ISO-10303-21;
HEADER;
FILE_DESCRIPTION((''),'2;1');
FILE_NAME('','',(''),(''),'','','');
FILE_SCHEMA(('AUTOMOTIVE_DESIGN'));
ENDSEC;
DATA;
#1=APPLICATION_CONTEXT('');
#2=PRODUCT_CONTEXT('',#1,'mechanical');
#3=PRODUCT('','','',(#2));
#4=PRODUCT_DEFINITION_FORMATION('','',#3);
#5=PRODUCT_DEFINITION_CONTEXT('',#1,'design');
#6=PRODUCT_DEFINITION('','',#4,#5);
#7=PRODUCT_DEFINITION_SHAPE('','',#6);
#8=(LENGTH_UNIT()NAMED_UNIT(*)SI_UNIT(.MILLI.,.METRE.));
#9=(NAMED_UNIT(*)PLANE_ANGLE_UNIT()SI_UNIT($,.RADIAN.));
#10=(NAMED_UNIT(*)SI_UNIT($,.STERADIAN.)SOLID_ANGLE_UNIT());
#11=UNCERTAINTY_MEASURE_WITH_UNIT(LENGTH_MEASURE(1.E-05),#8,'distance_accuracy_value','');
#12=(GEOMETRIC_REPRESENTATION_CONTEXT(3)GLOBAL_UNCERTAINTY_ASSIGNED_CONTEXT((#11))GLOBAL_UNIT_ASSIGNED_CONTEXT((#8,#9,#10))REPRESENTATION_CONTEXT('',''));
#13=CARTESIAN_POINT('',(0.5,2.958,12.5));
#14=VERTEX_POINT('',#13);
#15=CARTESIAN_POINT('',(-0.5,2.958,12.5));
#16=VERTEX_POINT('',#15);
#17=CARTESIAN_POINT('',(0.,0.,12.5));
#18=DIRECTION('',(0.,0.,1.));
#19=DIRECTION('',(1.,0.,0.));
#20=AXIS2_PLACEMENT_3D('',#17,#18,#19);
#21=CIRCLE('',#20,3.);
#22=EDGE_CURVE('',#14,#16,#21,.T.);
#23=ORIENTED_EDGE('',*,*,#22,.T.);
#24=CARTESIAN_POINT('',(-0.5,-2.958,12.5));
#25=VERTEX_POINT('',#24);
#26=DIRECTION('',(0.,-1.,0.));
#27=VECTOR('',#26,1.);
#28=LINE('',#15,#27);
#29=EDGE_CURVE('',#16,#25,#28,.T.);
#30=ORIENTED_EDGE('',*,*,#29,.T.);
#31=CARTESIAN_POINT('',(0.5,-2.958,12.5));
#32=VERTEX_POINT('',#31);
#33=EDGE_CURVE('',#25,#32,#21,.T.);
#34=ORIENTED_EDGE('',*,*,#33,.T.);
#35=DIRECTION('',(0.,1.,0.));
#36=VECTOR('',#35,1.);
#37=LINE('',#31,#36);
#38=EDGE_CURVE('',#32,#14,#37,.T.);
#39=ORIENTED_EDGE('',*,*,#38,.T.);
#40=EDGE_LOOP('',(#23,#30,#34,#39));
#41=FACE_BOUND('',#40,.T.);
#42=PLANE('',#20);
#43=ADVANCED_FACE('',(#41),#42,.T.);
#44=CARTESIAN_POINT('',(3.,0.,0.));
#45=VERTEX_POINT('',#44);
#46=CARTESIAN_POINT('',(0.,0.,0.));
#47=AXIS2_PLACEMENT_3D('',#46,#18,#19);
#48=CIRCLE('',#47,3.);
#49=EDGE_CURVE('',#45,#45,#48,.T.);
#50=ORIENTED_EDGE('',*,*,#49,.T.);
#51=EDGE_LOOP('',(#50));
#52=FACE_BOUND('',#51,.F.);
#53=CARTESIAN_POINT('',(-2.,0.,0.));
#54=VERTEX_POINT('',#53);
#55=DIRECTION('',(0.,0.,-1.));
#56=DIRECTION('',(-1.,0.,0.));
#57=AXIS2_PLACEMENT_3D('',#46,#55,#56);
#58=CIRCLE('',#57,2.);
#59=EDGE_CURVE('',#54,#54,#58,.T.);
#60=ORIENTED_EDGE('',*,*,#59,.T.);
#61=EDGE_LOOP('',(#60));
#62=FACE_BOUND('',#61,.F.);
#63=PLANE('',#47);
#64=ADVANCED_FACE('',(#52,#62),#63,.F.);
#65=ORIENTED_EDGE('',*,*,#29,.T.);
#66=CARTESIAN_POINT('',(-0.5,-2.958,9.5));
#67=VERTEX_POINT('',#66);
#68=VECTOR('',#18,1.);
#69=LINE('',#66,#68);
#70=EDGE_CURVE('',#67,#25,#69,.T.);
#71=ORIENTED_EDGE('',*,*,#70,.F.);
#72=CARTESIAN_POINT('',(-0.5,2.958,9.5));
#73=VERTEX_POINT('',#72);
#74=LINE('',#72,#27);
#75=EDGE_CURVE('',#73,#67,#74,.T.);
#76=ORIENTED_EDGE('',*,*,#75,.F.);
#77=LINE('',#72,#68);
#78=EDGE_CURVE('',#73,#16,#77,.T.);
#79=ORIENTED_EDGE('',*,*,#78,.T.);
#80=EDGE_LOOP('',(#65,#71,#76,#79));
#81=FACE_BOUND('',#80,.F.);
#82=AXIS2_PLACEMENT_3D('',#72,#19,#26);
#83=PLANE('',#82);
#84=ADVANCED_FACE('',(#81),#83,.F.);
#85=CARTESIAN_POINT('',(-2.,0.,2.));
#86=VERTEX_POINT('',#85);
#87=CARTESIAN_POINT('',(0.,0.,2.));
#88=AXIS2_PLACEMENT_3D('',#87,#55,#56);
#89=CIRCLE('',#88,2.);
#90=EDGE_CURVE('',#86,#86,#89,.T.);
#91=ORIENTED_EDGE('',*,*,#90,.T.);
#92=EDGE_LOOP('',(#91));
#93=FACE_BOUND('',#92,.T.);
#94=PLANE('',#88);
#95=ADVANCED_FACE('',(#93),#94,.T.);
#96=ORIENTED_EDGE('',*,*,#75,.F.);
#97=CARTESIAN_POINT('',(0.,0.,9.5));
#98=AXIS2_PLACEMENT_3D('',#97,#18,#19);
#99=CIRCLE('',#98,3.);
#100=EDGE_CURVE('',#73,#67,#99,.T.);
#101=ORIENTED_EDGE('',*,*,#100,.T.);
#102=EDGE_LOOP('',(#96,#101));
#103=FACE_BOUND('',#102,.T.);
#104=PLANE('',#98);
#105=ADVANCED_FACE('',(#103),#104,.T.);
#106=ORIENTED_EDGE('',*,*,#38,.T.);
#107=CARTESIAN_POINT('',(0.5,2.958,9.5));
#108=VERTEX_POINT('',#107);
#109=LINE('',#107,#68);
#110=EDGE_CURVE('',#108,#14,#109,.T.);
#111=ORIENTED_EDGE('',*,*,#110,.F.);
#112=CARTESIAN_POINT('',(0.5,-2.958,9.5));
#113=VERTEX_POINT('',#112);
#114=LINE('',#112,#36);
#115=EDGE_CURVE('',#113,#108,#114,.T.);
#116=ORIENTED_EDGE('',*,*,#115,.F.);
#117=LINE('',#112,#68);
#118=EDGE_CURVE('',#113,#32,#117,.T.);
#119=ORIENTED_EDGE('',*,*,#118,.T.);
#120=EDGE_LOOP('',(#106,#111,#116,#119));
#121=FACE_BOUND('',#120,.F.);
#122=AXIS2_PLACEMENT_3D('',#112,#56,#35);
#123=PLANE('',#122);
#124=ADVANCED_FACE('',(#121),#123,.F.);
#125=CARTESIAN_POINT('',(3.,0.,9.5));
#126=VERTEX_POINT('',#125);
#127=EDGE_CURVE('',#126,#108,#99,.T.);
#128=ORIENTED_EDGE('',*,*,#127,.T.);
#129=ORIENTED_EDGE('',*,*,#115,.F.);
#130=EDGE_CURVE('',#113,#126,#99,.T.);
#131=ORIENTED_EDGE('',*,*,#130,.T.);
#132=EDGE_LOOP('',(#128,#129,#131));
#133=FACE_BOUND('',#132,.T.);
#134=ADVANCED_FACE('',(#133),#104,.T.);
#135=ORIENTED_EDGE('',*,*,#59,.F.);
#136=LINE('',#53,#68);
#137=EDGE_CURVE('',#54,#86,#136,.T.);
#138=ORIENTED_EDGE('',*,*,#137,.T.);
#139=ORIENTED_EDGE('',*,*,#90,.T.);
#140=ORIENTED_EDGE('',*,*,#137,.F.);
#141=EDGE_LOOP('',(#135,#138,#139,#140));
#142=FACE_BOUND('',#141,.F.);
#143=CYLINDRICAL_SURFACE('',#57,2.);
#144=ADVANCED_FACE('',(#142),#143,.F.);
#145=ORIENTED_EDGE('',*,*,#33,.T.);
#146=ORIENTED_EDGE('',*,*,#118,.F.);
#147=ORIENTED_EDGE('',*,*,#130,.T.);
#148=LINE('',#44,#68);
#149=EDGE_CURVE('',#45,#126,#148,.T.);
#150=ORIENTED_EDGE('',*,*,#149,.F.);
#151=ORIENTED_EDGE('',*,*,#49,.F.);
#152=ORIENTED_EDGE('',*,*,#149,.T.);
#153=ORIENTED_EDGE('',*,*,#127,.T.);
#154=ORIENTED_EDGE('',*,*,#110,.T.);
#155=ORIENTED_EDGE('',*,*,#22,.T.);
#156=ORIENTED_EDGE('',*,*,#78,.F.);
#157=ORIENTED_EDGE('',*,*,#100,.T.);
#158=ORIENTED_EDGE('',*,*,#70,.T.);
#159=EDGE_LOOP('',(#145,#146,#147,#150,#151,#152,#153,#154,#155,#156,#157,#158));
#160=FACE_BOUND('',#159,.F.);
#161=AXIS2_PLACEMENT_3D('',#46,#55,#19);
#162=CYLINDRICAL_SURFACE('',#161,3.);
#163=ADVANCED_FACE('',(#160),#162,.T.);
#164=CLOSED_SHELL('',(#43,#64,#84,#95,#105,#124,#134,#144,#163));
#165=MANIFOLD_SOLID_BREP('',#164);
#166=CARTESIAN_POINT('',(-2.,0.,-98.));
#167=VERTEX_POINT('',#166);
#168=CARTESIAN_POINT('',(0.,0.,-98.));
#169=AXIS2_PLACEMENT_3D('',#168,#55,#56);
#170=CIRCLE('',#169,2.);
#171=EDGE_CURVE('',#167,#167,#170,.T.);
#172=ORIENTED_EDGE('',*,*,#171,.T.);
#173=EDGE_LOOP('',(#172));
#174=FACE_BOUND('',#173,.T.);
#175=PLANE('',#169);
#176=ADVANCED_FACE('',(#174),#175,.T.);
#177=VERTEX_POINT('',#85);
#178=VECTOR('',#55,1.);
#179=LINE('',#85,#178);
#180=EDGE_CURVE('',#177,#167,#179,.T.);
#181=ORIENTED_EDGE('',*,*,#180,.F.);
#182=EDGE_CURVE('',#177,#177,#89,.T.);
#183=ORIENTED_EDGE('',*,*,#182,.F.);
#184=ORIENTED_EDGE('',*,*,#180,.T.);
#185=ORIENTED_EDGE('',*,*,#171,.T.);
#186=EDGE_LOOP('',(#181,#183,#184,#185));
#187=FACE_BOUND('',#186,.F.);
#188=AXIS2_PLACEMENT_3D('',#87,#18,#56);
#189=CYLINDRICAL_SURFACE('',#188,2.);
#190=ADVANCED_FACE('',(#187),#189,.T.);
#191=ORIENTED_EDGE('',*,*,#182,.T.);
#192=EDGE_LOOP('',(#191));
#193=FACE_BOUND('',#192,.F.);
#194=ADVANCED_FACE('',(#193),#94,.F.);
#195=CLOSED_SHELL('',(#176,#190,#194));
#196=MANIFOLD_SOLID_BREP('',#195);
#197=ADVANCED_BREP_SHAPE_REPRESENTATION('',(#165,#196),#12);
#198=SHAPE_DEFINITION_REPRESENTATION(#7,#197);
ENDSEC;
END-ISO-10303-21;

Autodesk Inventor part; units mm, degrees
ref_plane "YZ Plane" through (0, 0, 0) normal (1, 0, 0) x (0, 1, 0)
ref_plane "XZ Plane" through (0, 0, 0) normal (0, 1, 0) x (-1, 0, 0)
ref_plane "XY Plane" through (0, 0, 0) normal (0, 0, 1) x (1, 0, 0)
sketch "Эскиз1" plane through (0, 0, 0) normal (0, 0, 1) x (1, 0, 0)
  circle A0 centre (0, 0) radius 3
  dimension "d0" = 6
extrude "Выдавливание1" add sketch "Эскиз1" along normal blind 9.5
sketch "Эскиз2" plane through (0, 0, 9.5) normal (0, 0, 1) x (1, 0, 0)
  circle A0 centre (0, 0) radius 3 projected
  line L0 (-0.5, 2.958) -> (-0.5, -2.958)
  line L1 (0.5, -2.958) -> (0.5, 2.958)
  line L2 (0, 0) -> (0, 0.4981) construction
  dimension "d3" = 1
extrude "Выдавливание2" add sketch "Эскиз2" along normal blind 3 contours L1 A0 L0
sketch "Эскиз3" plane through (0, 0, 0) normal (0, 0, -1) x (-1, 0, 0)
  circle A0 centre (0, 0) radius 2
  dimension "d6" = 4
extrude "Выдавливание3" cut sketch "Эскиз3" against normal blind 2
sketch "Эскиз4" plane through (0, 0, 2) normal (0, 0, -1) x (-1, 0, 0)
  circle A0 centre (0, 0) radius 2 projected
extrude "Выдавливание4" add sketch "Эскиз4" along normal blind 100 separate body
properties part number "Лазер маленький"
